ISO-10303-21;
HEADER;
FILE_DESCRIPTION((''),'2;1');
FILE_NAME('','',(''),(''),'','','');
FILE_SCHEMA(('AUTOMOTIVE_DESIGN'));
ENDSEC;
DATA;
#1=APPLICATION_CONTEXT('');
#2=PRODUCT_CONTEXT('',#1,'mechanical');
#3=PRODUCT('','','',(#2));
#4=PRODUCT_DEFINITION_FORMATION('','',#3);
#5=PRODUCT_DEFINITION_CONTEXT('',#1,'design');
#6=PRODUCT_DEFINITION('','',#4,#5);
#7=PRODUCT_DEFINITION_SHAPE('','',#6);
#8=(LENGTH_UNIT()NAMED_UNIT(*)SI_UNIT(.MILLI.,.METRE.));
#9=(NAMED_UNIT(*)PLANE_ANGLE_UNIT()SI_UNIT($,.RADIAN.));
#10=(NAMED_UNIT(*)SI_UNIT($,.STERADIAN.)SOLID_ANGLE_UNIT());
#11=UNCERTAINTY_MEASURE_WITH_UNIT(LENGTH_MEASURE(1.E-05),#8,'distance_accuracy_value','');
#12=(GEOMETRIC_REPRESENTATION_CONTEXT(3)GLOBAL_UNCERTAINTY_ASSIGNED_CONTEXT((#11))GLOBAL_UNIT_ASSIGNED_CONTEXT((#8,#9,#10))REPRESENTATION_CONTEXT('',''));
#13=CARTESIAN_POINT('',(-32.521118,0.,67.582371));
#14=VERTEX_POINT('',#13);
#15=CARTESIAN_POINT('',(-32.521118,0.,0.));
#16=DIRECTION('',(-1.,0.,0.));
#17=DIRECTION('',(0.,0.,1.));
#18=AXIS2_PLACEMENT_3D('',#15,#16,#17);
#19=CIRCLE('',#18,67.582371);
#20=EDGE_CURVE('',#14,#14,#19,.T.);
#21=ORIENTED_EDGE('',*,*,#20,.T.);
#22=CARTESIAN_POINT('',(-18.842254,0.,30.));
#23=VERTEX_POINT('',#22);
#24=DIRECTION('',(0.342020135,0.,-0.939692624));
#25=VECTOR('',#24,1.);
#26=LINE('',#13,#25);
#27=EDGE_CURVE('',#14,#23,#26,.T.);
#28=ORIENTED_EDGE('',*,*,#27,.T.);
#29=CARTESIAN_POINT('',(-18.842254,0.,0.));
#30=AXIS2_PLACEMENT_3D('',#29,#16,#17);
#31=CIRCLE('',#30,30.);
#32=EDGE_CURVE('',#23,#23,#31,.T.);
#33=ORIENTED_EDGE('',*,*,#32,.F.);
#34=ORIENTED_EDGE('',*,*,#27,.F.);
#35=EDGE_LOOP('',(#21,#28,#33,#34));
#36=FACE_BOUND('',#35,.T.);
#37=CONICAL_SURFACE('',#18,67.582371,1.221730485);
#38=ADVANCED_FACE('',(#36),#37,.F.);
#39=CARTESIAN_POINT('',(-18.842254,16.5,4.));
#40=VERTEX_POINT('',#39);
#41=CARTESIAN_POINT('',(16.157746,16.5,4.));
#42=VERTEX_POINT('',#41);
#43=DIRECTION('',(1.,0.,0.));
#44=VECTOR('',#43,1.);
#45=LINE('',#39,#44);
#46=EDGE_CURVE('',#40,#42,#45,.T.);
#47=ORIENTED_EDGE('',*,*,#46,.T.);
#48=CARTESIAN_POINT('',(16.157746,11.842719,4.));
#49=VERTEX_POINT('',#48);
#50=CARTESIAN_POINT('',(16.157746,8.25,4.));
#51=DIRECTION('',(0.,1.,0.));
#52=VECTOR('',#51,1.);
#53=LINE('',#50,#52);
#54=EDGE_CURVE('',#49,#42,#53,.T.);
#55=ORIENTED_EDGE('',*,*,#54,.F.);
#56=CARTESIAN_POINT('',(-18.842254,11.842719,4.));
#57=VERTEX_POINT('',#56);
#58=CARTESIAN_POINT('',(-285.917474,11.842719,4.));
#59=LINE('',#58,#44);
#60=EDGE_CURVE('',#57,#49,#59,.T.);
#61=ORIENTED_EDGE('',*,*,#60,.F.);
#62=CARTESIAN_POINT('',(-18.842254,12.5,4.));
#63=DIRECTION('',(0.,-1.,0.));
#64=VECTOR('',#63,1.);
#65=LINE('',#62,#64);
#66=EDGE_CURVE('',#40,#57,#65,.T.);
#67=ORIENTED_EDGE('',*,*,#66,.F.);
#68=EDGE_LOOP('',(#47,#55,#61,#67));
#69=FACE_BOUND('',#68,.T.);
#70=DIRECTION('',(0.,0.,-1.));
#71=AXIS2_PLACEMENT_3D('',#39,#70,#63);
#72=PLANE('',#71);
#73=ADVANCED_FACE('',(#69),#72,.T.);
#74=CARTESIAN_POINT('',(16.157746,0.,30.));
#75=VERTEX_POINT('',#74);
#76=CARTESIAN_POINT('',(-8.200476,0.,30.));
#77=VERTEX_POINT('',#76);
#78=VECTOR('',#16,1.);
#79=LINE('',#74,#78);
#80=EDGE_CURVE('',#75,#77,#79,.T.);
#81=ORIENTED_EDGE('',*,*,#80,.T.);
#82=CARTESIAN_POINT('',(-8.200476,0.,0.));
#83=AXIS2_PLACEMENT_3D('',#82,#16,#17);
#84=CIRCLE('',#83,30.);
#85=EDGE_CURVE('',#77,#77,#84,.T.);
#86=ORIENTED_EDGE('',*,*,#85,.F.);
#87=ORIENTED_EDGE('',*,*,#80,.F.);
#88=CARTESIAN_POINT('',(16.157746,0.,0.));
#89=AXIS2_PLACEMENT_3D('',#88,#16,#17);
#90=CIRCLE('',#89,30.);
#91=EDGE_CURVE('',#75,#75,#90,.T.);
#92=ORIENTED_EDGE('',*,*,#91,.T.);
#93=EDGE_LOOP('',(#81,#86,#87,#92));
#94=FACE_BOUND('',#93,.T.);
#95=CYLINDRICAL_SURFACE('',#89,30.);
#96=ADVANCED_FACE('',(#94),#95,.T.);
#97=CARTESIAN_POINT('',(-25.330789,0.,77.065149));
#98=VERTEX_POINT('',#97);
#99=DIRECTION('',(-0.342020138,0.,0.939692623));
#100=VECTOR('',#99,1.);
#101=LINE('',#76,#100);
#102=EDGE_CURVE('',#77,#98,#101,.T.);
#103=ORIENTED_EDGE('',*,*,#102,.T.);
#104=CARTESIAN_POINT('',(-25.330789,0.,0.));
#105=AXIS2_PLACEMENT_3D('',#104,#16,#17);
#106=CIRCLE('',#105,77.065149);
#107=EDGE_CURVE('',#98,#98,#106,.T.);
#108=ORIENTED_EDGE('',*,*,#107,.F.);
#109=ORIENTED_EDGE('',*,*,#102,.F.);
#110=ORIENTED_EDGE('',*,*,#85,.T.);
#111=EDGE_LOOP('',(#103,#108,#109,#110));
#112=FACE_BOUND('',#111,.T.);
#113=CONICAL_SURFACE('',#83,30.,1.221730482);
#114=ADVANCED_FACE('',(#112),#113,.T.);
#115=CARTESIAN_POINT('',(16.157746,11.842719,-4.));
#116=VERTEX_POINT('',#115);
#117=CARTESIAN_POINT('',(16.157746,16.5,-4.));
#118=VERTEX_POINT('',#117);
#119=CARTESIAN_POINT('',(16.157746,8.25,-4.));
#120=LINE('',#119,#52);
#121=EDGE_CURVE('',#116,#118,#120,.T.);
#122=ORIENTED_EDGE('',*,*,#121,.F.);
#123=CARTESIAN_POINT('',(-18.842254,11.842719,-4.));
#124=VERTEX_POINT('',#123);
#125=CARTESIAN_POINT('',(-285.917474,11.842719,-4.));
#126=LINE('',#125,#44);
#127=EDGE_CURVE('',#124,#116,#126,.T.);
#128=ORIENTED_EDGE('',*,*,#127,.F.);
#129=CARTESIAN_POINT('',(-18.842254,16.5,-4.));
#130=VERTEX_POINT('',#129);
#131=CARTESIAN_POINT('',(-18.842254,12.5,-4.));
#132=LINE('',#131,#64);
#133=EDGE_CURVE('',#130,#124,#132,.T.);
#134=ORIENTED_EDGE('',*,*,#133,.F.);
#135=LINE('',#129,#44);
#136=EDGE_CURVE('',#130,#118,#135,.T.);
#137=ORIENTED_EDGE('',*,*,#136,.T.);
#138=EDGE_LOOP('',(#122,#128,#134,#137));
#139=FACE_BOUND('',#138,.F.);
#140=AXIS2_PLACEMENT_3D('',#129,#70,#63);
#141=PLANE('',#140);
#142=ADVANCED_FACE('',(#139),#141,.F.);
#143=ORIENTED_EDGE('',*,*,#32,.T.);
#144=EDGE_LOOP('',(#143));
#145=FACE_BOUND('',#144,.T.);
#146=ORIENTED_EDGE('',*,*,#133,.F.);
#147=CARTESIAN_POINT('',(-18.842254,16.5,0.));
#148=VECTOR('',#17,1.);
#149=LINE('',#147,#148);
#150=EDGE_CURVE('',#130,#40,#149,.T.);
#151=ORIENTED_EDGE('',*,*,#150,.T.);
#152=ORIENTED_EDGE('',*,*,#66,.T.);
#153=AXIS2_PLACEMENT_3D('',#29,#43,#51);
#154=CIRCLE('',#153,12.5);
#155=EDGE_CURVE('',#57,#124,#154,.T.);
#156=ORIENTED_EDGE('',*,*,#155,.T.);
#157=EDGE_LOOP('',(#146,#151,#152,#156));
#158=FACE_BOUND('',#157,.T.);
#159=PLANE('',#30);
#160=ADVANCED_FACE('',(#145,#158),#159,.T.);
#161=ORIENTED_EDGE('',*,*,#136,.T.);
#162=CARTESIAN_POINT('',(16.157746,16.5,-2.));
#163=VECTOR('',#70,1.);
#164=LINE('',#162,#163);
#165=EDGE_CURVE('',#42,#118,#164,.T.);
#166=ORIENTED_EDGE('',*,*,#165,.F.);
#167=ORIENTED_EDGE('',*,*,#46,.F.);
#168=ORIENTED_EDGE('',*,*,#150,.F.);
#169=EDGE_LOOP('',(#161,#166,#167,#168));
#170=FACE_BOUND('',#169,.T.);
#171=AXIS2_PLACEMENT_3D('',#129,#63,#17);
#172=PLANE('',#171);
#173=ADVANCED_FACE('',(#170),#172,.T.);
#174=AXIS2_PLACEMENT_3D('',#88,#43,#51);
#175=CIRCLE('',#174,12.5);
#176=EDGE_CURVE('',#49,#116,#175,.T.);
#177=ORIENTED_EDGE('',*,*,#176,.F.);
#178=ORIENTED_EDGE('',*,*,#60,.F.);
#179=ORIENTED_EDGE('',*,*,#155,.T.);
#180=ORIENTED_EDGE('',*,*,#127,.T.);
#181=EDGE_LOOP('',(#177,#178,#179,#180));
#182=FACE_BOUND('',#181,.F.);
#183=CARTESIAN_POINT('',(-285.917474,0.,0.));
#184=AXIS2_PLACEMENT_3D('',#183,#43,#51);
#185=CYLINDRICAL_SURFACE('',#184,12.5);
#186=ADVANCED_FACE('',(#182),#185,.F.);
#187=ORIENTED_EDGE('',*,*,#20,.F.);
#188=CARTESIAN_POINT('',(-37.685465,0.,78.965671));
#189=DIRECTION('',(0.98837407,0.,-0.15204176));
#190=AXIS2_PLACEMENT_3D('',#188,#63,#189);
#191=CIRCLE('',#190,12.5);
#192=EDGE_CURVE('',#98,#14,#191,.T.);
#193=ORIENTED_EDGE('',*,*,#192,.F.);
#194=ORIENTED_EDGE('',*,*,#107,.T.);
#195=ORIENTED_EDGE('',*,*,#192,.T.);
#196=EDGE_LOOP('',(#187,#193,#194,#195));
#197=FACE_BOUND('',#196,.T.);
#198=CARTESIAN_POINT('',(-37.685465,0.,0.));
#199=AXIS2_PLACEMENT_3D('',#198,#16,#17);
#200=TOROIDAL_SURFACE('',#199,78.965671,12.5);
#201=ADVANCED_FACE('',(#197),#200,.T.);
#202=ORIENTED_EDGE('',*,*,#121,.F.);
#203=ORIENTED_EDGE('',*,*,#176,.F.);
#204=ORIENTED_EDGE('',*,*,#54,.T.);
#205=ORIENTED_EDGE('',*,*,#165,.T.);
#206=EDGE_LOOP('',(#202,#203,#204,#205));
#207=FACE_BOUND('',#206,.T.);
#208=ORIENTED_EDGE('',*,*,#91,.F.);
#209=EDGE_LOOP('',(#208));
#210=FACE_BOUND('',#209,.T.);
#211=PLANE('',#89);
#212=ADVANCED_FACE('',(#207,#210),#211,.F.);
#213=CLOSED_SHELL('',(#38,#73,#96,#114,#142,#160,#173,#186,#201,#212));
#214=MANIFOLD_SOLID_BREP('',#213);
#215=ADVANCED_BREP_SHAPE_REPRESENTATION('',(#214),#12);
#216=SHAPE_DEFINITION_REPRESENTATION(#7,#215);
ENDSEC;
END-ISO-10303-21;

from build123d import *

# Parameters (mm, degrees)
F3_D     = 25
F2_W     = 8
F2_H     = 8
F4_DEPTH = 50


with BuildPart() as f1:
    # F0 (on Front) → F1 (revolve)
    with BuildSketch(Plane.XZ):
        with BuildLine():
            Line((16.157746, 30), (-8.200476, 30))
            Line((-8.200476, 30), (-25.330789, 77.065149))
            ThreePointArc((-25.330789, 77.065149), (-47.645877, 86.518166), (-32.521118, 67.582371))
            Line((-32.521118, 67.582371), (-18.842254, 30))
            Line((-18.842254, 30), (-18.842254, 0))
            Line((-18.842254, 0), (16.157746, 0))
            Line((16.157746, 0), (16.157746, 30))
        make_face()
    revolve(axis=Axis((-63.210286, 0, 0), (-1, 0, 0)))

    # F3 (through all)
    with Locations(Plane(origin=(-18.842254, 0, 0), x_dir=(0, -1, 0), z_dir=(-1, 0, 0))):
        with Locations((0, 0)):
            Hole(F3_D / 2)

    # F2 (on face) → F4 (cut)
    with BuildSketch(Plane(origin=(-18.842254, 0, 0), x_dir=(0, -1, 0), z_dir=(-1, 0, 0))):
        with Locations((-12.5, 0)):
            Rectangle(F2_W, F2_H)
    extrude(amount=-F4_DEPTH, mode=Mode.SUBTRACT)


solid = f1.part
